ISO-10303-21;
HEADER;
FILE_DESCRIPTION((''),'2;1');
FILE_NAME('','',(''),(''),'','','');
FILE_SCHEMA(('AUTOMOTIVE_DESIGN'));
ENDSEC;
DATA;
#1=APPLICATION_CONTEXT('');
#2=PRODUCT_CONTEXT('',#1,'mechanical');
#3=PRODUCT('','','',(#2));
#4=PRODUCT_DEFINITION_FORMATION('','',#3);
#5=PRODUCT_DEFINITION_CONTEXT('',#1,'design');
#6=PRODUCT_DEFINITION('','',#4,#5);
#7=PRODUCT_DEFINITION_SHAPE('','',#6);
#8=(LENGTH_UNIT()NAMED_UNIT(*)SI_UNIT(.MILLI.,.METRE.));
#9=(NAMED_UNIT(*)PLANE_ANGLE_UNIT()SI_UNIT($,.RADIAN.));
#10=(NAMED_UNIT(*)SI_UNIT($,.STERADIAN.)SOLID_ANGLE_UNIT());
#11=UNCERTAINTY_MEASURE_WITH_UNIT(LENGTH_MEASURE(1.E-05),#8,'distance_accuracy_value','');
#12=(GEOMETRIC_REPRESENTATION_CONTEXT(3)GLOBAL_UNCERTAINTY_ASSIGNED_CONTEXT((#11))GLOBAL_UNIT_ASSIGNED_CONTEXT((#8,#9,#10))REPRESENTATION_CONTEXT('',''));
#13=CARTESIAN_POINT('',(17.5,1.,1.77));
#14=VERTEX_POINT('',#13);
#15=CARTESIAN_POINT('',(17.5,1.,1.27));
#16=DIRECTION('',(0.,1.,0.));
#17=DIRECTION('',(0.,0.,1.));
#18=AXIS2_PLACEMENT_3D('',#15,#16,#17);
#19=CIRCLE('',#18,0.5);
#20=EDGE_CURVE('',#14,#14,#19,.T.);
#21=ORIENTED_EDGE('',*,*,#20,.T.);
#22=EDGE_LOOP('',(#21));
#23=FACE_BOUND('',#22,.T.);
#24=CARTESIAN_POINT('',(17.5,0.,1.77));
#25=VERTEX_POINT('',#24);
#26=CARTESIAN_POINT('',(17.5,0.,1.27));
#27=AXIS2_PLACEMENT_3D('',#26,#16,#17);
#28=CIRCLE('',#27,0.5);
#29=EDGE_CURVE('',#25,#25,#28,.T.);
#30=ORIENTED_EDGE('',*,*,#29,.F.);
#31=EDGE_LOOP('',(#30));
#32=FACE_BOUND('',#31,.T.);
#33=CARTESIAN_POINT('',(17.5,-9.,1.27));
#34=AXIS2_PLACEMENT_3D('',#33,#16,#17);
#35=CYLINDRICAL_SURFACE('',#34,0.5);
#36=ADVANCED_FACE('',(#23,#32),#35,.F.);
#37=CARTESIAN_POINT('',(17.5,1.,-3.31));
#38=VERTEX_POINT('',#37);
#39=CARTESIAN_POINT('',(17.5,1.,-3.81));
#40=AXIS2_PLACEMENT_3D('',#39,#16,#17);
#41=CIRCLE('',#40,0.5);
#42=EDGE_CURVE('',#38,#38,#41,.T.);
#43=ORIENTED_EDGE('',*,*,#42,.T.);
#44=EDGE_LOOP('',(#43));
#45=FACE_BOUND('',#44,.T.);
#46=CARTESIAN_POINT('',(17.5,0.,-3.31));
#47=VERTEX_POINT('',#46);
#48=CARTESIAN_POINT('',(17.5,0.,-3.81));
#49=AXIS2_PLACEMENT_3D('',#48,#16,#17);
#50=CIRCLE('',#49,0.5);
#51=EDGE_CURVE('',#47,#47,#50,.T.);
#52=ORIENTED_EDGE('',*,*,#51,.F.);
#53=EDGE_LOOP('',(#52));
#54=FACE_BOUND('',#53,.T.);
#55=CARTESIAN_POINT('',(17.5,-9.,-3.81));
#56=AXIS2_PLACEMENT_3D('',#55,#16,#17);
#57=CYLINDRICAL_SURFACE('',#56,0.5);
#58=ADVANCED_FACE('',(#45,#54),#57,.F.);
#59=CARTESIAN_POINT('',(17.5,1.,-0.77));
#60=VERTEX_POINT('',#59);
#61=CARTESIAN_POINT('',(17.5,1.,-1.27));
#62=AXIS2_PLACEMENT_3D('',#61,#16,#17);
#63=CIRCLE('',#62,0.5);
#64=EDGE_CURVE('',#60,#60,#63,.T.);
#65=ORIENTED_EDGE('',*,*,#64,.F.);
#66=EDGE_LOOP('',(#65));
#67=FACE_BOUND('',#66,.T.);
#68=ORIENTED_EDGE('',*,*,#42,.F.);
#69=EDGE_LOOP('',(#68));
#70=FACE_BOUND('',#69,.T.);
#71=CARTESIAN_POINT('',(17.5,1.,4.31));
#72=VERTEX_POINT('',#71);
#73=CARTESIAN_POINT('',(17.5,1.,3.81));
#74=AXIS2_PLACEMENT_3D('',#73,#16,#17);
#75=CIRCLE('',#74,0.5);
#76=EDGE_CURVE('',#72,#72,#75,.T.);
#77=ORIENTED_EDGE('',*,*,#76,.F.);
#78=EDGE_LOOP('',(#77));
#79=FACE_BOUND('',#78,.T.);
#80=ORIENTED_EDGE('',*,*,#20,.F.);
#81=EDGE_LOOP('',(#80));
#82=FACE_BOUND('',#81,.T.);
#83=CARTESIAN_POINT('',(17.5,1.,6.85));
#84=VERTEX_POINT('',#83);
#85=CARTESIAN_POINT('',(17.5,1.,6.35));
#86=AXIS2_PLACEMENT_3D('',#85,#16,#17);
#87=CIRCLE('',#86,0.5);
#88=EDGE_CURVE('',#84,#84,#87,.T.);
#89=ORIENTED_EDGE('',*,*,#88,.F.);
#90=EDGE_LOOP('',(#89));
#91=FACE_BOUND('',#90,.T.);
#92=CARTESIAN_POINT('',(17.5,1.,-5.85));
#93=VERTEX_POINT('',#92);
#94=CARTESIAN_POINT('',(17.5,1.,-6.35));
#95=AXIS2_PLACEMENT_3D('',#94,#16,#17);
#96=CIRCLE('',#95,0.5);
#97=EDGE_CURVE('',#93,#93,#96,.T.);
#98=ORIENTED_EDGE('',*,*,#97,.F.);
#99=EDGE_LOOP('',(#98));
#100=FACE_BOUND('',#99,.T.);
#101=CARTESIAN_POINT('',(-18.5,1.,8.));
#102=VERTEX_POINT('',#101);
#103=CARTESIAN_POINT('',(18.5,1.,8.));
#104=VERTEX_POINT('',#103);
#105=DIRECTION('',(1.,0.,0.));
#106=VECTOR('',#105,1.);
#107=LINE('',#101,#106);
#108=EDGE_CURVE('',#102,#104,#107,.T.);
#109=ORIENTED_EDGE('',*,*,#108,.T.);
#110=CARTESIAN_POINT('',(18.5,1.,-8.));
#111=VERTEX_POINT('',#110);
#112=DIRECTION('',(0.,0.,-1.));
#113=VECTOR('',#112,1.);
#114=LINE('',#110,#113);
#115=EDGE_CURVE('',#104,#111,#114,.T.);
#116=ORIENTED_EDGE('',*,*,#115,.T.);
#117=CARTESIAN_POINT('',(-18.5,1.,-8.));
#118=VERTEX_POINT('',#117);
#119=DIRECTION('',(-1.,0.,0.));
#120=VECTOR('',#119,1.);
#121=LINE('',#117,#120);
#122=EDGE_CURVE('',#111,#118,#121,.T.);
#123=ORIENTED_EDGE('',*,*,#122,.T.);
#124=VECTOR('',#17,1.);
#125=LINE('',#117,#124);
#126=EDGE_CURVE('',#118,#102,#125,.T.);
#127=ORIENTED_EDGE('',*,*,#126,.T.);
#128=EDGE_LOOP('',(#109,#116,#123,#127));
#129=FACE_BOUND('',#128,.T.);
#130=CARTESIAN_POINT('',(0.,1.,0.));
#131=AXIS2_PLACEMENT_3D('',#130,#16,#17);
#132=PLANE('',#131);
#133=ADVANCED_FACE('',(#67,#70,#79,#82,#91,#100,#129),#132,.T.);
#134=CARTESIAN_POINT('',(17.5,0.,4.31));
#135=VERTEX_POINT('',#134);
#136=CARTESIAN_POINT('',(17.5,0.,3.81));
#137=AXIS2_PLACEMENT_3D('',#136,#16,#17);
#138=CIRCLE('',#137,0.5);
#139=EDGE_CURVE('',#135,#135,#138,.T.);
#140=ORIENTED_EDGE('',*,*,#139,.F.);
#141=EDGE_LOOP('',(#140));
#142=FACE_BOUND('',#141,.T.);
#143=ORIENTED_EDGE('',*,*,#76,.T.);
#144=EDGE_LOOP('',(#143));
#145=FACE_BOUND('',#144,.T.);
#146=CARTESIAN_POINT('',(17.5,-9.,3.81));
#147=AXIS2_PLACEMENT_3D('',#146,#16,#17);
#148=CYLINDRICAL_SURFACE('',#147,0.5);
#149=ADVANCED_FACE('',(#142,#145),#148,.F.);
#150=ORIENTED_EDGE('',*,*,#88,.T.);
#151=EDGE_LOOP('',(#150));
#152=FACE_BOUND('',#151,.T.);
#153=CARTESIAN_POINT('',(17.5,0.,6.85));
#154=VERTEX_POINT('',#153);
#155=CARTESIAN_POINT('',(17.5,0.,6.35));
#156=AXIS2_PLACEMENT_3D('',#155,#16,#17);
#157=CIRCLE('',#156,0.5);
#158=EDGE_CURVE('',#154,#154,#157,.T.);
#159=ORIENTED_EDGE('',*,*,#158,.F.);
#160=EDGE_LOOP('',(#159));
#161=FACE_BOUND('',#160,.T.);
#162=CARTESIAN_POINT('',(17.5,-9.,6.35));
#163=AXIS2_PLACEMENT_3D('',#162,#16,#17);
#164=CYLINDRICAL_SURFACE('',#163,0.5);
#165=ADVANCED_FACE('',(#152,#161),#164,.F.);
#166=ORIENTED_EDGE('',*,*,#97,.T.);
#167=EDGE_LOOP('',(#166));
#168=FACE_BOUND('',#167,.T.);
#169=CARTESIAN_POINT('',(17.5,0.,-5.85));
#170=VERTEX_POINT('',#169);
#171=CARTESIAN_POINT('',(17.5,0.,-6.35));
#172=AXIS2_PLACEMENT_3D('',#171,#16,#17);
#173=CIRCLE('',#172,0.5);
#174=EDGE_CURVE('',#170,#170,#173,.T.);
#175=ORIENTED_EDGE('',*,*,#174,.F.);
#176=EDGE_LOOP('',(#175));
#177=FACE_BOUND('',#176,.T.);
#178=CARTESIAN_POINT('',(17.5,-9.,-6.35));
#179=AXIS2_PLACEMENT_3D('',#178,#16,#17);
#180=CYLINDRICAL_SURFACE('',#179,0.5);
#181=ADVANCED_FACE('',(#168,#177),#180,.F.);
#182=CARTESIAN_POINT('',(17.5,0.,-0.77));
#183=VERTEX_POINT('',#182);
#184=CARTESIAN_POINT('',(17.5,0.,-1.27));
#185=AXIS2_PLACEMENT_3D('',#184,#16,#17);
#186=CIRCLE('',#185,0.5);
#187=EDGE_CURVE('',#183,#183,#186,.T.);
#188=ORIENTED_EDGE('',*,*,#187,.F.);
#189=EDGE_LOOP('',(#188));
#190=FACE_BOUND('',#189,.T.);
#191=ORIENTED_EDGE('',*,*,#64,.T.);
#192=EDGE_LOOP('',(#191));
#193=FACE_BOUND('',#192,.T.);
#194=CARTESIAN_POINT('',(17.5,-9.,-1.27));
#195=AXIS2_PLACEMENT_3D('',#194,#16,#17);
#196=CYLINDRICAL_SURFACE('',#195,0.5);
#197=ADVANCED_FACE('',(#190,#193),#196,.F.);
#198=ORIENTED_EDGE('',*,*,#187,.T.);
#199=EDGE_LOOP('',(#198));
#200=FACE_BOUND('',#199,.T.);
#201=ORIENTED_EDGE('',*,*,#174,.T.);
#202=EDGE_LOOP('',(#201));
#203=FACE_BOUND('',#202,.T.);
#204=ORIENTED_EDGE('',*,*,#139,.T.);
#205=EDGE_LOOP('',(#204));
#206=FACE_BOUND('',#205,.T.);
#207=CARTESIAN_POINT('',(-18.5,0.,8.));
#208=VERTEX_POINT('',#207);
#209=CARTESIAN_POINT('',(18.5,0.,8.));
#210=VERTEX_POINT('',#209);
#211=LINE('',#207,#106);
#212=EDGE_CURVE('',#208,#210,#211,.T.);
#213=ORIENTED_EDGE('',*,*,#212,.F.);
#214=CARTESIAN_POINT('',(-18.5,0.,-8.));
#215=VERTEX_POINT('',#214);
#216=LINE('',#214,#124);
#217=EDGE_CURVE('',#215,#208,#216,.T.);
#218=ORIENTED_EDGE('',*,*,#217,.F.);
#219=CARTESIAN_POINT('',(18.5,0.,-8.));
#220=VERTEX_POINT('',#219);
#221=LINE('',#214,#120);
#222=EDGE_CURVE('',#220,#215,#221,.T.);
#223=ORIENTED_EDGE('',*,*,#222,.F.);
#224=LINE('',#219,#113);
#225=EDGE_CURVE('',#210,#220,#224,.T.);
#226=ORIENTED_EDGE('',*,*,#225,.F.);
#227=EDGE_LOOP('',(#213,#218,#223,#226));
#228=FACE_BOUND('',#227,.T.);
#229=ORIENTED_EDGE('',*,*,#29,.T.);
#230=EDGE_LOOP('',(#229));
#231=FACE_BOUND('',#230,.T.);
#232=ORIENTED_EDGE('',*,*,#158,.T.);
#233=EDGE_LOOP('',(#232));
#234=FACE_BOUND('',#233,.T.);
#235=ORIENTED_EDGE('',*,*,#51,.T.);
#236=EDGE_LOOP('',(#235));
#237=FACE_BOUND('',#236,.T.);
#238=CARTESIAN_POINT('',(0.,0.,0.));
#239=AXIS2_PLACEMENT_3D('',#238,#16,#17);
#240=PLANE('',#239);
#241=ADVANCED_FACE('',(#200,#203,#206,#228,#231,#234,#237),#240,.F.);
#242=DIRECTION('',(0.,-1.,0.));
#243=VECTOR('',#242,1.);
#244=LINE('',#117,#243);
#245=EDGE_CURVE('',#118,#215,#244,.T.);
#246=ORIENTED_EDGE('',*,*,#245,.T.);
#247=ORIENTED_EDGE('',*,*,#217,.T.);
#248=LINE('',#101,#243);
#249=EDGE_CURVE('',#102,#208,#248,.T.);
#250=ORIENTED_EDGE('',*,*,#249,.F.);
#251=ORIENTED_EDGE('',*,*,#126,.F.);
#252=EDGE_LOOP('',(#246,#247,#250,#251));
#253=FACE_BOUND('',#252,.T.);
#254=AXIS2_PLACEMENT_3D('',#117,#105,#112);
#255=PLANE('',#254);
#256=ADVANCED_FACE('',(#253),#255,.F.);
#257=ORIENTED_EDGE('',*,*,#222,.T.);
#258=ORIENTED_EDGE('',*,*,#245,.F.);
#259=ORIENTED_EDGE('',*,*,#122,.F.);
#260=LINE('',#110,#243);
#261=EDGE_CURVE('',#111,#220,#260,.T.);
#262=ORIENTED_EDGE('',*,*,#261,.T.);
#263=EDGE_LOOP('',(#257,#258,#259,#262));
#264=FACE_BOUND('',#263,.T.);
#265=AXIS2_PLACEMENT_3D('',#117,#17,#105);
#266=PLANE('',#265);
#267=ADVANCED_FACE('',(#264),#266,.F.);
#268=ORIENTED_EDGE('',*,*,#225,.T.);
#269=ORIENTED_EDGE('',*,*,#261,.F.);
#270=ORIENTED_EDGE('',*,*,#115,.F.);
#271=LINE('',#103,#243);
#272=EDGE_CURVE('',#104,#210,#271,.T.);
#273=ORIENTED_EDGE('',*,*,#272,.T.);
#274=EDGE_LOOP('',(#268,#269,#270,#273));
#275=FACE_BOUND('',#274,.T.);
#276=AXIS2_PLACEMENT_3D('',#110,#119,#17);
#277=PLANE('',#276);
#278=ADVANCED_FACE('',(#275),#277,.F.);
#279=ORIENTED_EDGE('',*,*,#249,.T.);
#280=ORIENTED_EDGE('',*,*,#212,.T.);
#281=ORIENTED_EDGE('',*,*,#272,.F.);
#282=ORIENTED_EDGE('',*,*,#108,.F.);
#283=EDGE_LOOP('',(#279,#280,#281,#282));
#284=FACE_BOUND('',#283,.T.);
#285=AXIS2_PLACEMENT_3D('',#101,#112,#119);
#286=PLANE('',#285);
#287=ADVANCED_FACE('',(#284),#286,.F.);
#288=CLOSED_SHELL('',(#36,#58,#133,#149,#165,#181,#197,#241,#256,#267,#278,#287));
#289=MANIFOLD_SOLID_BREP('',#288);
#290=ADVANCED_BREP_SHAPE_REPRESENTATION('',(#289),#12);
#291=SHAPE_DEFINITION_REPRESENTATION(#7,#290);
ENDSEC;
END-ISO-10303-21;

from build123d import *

# Parameters (mm, degrees)
SKETCH1_W           = 37
SKETCH1_H           = 16
BOSS_EXTRUDE1_DEPTH = 1
SKETCH2_R           = 0.5
CUT_EXTRUDE1_DEPTH  = 10


with BuildPart() as part:
    # Sketch1 → Boss-Extrude1 (new body)
    with BuildSketch(Plane(origin=(0, 0, 0), x_dir=(1, 0, 0), z_dir=(0, 1, 0))):
        Rectangle(SKETCH1_W, SKETCH1_H)
    extrude(amount=BOSS_EXTRUDE1_DEPTH)

    # Sketch2 → Cut-Extrude1 (cut)
    with BuildSketch(Plane(origin=(0, 1, 0), x_dir=(1, 0, 0), z_dir=(0, 1, 0))):
        with Locations((17.5, -6.35)):
            Circle(SKETCH2_R)
        with Locations((17.5, -3.81)):
            Circle(SKETCH2_R)
        with Locations((17.5, -1.27)):
            Circle(SKETCH2_R)
        with Locations((17.5, 1.27)):
            Circle(SKETCH2_R)
        with Locations((17.5, 3.81)):
            Circle(SKETCH2_R)
        with Locations((17.5, 6.35)):
            Circle(SKETCH2_R)
    extrude(amount=-CUT_EXTRUDE1_DEPTH, mode=Mode.SUBTRACT)


solid = part.part
